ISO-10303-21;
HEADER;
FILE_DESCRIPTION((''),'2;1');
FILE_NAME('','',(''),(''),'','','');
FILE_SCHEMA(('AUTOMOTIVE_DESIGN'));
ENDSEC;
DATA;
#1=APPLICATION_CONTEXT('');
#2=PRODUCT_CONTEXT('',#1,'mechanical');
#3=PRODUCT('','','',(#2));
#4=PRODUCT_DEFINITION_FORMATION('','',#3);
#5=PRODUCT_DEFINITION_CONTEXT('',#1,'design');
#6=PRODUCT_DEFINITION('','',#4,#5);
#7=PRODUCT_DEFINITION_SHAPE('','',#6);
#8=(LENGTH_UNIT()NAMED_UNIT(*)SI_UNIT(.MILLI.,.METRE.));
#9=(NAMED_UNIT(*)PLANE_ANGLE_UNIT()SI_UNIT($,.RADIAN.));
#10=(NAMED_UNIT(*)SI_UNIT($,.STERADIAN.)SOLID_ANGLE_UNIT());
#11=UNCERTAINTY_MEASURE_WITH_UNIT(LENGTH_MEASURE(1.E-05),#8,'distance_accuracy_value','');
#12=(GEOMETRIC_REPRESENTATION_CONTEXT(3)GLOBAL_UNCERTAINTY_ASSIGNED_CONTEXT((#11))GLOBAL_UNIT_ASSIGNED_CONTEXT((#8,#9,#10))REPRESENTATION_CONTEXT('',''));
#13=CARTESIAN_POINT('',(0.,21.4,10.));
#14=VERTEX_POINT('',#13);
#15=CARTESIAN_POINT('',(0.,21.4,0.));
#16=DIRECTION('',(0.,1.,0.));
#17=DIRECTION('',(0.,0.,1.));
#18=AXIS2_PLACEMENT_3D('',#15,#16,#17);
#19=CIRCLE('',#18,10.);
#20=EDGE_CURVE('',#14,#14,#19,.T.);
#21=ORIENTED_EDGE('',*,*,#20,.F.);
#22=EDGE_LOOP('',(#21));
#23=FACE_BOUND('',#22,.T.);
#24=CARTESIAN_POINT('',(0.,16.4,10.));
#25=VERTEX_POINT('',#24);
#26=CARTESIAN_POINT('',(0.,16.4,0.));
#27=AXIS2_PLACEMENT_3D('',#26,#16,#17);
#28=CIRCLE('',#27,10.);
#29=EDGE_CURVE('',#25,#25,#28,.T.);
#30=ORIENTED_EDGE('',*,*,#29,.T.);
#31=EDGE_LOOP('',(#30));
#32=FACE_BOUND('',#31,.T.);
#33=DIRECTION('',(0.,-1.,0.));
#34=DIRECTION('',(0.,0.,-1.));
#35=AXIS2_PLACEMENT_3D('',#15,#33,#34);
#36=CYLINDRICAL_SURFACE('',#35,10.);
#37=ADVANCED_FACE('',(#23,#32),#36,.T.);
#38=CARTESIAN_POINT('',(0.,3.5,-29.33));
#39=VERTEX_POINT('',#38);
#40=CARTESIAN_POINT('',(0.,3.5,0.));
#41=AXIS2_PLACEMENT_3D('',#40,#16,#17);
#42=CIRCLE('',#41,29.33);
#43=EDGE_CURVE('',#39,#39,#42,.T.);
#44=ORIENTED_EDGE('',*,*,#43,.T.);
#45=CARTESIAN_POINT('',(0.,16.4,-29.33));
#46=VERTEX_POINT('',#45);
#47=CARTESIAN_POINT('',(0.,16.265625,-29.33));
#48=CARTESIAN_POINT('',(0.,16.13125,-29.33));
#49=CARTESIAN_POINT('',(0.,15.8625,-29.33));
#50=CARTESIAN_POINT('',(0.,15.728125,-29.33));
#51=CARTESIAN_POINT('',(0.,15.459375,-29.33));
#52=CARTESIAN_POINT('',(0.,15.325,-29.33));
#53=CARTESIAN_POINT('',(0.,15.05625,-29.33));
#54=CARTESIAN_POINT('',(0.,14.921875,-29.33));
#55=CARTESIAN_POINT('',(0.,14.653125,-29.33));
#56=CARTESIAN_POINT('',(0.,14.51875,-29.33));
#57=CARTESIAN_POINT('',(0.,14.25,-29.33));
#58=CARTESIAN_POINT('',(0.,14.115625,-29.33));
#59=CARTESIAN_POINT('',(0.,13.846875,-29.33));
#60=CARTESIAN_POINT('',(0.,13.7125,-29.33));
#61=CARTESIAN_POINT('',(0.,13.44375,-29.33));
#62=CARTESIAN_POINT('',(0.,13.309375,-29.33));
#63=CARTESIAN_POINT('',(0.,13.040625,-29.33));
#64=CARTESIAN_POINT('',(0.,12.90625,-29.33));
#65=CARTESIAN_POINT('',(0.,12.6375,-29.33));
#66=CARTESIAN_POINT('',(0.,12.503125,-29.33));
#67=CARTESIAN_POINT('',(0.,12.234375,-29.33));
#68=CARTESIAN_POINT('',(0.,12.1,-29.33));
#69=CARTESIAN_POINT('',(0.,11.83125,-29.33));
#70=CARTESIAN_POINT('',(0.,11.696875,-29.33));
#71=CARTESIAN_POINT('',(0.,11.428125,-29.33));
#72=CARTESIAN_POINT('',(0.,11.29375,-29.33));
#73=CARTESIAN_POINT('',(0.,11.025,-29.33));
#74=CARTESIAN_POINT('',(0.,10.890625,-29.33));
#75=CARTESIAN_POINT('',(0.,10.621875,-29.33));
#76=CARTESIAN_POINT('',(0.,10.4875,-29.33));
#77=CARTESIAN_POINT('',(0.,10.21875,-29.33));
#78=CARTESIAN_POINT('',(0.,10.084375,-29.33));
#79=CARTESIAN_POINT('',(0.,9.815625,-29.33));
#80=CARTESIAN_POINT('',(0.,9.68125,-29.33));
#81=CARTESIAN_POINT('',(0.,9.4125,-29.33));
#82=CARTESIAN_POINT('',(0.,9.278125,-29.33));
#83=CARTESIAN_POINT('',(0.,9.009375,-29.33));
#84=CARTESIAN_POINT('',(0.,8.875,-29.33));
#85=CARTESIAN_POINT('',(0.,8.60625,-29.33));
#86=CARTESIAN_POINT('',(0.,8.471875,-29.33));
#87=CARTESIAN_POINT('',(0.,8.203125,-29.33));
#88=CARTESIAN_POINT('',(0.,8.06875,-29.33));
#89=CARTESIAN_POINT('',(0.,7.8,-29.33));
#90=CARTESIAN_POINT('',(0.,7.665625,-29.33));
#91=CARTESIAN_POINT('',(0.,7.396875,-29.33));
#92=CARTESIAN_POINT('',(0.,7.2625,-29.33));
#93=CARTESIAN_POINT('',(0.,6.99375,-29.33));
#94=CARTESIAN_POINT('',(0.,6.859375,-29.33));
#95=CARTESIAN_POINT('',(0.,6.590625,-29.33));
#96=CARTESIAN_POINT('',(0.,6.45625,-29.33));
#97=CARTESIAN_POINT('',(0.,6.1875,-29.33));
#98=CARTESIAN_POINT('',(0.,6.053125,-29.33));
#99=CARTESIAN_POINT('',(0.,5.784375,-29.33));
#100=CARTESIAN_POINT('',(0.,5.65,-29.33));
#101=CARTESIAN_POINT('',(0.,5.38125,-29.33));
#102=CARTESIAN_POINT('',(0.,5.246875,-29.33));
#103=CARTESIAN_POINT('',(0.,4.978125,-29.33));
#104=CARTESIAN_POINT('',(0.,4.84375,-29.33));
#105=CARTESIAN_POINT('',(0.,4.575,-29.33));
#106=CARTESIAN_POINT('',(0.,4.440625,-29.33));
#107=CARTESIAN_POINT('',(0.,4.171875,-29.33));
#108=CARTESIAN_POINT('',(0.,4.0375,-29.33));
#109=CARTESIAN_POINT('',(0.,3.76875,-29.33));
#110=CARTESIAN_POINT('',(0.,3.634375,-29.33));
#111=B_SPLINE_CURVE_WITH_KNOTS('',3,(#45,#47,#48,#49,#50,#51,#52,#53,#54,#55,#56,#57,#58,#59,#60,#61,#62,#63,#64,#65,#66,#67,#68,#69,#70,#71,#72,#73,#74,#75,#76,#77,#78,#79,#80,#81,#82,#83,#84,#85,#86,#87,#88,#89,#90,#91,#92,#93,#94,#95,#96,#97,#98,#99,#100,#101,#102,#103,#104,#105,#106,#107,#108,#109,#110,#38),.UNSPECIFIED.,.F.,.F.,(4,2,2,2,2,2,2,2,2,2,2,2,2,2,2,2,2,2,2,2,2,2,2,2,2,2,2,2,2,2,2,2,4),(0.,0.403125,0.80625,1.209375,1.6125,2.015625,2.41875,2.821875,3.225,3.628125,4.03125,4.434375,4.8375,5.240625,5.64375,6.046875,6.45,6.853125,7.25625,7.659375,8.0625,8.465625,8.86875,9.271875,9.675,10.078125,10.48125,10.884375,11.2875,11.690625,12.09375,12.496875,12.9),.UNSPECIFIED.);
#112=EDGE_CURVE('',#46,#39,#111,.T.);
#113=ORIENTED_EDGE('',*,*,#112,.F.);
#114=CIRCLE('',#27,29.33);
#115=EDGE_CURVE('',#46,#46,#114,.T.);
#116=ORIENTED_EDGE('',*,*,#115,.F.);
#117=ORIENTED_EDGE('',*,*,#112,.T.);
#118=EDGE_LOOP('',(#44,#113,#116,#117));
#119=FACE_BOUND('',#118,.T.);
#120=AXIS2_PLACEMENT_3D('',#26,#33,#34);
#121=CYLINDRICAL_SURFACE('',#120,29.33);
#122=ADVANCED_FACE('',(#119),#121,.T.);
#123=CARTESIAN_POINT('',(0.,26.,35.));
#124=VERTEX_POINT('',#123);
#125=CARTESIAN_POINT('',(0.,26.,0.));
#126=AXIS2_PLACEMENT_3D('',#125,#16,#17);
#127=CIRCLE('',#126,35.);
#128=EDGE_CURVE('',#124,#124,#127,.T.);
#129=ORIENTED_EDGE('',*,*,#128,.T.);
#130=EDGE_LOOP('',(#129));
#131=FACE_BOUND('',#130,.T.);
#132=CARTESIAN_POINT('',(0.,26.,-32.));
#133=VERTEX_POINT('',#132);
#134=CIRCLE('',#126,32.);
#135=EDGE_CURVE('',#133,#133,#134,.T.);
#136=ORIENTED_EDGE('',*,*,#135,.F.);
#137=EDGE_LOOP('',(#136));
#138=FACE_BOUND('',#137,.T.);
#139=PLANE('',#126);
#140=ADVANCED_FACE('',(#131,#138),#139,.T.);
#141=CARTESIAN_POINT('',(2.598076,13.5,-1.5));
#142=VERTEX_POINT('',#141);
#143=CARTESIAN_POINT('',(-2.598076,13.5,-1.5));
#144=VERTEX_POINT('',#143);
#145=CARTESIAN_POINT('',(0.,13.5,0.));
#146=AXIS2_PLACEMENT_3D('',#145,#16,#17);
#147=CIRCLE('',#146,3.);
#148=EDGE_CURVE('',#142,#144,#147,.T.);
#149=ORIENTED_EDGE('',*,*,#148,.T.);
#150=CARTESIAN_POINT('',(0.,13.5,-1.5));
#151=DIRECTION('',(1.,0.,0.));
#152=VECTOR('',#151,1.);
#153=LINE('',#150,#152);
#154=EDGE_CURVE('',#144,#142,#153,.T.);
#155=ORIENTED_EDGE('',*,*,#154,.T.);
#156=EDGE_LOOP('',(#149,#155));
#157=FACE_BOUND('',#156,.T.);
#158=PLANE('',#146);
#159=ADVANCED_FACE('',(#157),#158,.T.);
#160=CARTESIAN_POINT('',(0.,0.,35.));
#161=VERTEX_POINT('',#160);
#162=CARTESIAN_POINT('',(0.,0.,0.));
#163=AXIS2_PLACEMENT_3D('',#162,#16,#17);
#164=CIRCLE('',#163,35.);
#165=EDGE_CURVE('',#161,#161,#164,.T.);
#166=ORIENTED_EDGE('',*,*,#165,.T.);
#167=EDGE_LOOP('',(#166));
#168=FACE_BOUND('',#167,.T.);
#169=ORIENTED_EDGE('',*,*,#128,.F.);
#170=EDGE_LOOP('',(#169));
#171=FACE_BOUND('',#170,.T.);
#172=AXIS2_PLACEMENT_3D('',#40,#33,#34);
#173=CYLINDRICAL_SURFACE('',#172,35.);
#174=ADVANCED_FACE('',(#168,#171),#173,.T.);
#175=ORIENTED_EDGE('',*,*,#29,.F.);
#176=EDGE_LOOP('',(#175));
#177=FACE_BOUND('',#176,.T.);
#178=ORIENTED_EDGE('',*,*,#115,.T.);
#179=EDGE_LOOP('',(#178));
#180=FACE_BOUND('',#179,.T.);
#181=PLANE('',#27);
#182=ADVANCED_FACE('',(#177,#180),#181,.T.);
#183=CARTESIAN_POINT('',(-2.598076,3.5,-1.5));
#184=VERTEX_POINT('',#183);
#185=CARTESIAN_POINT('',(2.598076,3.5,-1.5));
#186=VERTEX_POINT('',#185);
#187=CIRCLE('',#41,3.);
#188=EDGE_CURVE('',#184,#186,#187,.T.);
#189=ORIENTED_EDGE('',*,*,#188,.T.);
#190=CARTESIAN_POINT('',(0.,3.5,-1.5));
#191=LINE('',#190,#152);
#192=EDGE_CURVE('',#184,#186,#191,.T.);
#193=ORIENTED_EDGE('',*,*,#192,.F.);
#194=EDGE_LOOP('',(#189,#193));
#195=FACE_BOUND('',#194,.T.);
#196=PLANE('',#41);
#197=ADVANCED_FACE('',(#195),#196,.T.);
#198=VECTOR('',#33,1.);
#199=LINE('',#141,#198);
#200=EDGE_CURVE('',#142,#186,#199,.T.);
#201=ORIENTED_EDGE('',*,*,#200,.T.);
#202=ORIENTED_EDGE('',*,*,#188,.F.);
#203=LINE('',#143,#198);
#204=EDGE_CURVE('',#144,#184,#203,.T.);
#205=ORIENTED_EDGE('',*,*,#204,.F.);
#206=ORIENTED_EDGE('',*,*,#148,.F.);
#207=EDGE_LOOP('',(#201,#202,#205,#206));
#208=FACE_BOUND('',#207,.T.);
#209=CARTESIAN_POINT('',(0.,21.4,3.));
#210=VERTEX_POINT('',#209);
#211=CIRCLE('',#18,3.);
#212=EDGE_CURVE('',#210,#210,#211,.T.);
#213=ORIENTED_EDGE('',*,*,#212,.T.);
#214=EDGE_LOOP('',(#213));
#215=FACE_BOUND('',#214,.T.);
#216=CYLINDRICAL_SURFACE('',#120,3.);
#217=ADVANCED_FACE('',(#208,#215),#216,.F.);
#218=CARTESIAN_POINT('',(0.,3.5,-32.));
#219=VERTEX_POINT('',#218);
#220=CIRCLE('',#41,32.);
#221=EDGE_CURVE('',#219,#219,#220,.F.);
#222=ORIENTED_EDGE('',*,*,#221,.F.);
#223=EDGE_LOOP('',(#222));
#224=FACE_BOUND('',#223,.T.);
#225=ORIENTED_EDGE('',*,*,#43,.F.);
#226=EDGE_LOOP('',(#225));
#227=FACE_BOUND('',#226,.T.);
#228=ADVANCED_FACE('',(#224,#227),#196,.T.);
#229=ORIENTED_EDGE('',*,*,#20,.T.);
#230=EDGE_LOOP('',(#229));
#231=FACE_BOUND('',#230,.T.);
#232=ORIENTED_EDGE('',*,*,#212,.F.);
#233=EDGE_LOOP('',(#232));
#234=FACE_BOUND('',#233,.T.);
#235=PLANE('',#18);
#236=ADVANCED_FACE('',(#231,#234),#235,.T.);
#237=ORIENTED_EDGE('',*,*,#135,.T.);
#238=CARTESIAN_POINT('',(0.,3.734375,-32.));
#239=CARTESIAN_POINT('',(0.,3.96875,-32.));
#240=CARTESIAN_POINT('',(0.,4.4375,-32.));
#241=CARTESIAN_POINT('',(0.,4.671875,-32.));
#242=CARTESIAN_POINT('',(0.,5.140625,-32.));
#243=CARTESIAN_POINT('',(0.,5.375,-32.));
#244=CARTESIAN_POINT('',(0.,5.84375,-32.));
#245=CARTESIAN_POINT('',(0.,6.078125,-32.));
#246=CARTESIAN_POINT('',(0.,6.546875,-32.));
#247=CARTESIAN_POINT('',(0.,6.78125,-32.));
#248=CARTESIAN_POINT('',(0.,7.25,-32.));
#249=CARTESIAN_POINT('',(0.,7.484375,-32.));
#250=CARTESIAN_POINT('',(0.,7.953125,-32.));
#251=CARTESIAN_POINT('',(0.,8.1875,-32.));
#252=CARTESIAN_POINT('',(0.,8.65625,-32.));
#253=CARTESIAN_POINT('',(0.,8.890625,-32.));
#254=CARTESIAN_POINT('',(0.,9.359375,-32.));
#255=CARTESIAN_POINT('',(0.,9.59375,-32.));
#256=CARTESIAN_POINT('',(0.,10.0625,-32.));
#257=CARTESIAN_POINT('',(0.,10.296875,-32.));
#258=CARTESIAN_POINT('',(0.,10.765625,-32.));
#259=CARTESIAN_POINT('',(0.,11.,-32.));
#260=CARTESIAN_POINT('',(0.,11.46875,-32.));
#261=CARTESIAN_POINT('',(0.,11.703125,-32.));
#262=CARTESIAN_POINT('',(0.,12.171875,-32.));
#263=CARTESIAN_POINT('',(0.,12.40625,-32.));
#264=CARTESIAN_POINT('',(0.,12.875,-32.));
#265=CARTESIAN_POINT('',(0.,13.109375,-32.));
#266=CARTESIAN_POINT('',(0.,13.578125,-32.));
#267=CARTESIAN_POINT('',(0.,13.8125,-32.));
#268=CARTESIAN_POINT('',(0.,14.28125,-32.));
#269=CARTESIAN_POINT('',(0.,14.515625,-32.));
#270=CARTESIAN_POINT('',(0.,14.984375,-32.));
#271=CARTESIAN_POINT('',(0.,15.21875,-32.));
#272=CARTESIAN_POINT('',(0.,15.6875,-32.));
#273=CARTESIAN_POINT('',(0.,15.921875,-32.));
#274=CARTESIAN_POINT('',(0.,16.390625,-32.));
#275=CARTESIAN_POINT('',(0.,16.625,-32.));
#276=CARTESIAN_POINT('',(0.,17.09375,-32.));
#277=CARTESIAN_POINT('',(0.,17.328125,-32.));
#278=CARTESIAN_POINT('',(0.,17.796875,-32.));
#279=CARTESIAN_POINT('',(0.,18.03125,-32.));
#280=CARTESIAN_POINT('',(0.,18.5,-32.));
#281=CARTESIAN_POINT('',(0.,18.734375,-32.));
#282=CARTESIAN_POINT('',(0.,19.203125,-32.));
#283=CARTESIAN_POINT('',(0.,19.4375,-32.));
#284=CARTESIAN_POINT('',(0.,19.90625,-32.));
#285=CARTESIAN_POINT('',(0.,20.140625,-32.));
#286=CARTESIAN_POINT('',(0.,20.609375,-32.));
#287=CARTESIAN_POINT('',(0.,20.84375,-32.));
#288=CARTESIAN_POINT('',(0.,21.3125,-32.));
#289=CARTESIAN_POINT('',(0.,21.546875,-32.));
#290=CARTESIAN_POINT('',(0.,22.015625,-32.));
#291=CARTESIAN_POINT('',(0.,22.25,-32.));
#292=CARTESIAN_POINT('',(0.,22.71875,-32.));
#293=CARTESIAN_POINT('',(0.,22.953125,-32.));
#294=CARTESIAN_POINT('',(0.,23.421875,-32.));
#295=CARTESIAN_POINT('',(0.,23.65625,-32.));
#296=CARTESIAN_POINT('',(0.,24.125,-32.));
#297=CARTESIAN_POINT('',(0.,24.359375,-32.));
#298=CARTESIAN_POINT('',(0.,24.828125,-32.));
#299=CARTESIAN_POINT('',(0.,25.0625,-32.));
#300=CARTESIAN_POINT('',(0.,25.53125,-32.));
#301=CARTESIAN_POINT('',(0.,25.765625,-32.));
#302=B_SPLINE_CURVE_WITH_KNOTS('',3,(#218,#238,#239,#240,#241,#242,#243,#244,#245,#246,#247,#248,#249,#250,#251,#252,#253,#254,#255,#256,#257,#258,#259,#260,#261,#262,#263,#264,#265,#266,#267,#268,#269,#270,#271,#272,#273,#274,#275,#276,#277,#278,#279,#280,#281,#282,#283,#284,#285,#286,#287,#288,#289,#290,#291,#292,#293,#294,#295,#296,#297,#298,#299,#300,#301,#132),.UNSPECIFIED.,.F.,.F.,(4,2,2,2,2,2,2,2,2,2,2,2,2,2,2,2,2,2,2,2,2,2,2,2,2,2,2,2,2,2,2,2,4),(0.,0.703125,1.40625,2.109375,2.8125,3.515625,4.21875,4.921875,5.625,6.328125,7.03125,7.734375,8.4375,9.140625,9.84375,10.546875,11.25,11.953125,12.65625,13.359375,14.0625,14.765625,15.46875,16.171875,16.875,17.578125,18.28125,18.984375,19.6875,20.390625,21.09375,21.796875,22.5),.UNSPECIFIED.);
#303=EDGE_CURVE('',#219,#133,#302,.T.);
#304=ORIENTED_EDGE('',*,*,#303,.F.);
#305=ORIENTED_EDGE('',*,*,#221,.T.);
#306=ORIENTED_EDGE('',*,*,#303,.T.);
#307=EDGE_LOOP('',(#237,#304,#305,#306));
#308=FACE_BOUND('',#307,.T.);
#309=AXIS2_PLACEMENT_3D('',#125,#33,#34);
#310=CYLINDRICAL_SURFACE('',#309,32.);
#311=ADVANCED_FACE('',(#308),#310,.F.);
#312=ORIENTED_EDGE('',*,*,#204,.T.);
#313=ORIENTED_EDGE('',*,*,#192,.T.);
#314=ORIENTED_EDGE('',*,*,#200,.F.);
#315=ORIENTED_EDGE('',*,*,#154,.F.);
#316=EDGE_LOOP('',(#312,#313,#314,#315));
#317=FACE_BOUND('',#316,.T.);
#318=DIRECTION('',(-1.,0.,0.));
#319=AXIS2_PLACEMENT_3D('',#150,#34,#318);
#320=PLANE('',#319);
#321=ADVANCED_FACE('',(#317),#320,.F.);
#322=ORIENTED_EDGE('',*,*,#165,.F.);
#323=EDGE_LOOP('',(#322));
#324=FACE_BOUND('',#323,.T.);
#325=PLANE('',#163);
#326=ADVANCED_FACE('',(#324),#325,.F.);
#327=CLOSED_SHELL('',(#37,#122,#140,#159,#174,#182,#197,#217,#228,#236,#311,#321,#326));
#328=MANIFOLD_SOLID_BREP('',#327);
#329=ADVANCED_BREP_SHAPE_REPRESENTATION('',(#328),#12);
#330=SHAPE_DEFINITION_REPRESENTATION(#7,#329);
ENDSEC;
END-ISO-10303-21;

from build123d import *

# Parameters (mm, degrees)
VOLUME_KNOB_R                      = 35
KNOB_TOP_DEPTH                     = 3.5
VOLUME_KNOB_3_R                    = 35
VOLUME_KNOB_3_R_2                  = 32
KNOB_WALLS_DEPTH                   = 26
KNOB_START                         = 3.5
KNOB_SHAFT_KEYWAY_DEPTH            = 10
VOLUME_KNOB_8_R                    = 29.33
VOLUME_KNOB_8_R_2                  = 3
KNOB_DAMEPNING_EXTENSION_TOP_DEPTH = 12.9
KNOB_START_2                       = 16.4
VOLUME_KNOB_11_R                   = 10
VOLUME_KNOB_11_R_2                 = 3
KNOB_SHAFT_SUPPORT_DEPTH           = 5


with BuildPart() as part:
    # Volume Knob → Knob Top (new body)
    with BuildSketch(Plane(origin=(0, 0, 0), x_dir=(1, 0, 0), z_dir=(0, 1, 0))):
        with Locations(Location((0, 0, 0), (0, 0, 270))):
            Circle(VOLUME_KNOB_R)
    extrude(amount=KNOB_TOP_DEPTH)

    # Volume Knob<3> → Knob Walls (add)
    with BuildSketch(Plane(origin=(0, 0, 0), x_dir=(1, 0, 0), z_dir=(0, 1, 0))):
        with Locations(Location((0, 0, 0), (0, 0, 270))):
            Circle(VOLUME_KNOB_3_R)
        with Locations(Location((0, 0, 0), (0, 0, 90))):
            Circle(VOLUME_KNOB_3_R_2, mode=Mode.SUBTRACT)
    extrude(amount=KNOB_WALLS_DEPTH)

    # Volume Knob<4> → Knob Shaft Keyway (add)
    with BuildSketch(Plane(origin=(0, 0, 0), x_dir=(1, 0, 0), z_dir=(0, 1, 0)).offset(KNOB_START)):
        with BuildLine():
            Line((-2.598076211, 1.5), (2.598076211, 1.5))
            ThreePointArc((2.598076211, 1.5), (0, 3), (-2.598076211, 1.5))
        make_face()
    extrude(amount=KNOB_SHAFT_KEYWAY_DEPTH)

    # Volume Knob<8> → Knob Damepning Extension (top) (add)
    with BuildSketch(Plane(origin=(0, 0, 0), x_dir=(1, 0, 0), z_dir=(0, 1, 0)).offset(KNOB_START)):
        with Locations(Location((0, 0, 0), (0, 0, 90))):
            Circle(VOLUME_KNOB_8_R)
        with Locations(Location((0, 0, 0), (0, 0, 150))):
            Circle(VOLUME_KNOB_8_R_2, mode=Mode.SUBTRACT)
    extrude(amount=KNOB_DAMEPNING_EXTENSION_TOP_DEPTH)

    # Volume Knob<11> → Knob Shaft Support (add)
    with BuildSketch(Plane(origin=(0, 0, 0), x_dir=(1, 0, 0), z_dir=(0, 1, 0)).offset(KNOB_START_2)):
        with Locations(Location((0, 0, 0), (0, 0, 270))):
            Circle(VOLUME_KNOB_11_R)
        with Locations(Location((0, 0, 0), (0, 0, 150))):
            Circle(VOLUME_KNOB_11_R_2, mode=Mode.SUBTRACT)
    extrude(amount=KNOB_SHAFT_SUPPORT_DEPTH)


solid = part.part
